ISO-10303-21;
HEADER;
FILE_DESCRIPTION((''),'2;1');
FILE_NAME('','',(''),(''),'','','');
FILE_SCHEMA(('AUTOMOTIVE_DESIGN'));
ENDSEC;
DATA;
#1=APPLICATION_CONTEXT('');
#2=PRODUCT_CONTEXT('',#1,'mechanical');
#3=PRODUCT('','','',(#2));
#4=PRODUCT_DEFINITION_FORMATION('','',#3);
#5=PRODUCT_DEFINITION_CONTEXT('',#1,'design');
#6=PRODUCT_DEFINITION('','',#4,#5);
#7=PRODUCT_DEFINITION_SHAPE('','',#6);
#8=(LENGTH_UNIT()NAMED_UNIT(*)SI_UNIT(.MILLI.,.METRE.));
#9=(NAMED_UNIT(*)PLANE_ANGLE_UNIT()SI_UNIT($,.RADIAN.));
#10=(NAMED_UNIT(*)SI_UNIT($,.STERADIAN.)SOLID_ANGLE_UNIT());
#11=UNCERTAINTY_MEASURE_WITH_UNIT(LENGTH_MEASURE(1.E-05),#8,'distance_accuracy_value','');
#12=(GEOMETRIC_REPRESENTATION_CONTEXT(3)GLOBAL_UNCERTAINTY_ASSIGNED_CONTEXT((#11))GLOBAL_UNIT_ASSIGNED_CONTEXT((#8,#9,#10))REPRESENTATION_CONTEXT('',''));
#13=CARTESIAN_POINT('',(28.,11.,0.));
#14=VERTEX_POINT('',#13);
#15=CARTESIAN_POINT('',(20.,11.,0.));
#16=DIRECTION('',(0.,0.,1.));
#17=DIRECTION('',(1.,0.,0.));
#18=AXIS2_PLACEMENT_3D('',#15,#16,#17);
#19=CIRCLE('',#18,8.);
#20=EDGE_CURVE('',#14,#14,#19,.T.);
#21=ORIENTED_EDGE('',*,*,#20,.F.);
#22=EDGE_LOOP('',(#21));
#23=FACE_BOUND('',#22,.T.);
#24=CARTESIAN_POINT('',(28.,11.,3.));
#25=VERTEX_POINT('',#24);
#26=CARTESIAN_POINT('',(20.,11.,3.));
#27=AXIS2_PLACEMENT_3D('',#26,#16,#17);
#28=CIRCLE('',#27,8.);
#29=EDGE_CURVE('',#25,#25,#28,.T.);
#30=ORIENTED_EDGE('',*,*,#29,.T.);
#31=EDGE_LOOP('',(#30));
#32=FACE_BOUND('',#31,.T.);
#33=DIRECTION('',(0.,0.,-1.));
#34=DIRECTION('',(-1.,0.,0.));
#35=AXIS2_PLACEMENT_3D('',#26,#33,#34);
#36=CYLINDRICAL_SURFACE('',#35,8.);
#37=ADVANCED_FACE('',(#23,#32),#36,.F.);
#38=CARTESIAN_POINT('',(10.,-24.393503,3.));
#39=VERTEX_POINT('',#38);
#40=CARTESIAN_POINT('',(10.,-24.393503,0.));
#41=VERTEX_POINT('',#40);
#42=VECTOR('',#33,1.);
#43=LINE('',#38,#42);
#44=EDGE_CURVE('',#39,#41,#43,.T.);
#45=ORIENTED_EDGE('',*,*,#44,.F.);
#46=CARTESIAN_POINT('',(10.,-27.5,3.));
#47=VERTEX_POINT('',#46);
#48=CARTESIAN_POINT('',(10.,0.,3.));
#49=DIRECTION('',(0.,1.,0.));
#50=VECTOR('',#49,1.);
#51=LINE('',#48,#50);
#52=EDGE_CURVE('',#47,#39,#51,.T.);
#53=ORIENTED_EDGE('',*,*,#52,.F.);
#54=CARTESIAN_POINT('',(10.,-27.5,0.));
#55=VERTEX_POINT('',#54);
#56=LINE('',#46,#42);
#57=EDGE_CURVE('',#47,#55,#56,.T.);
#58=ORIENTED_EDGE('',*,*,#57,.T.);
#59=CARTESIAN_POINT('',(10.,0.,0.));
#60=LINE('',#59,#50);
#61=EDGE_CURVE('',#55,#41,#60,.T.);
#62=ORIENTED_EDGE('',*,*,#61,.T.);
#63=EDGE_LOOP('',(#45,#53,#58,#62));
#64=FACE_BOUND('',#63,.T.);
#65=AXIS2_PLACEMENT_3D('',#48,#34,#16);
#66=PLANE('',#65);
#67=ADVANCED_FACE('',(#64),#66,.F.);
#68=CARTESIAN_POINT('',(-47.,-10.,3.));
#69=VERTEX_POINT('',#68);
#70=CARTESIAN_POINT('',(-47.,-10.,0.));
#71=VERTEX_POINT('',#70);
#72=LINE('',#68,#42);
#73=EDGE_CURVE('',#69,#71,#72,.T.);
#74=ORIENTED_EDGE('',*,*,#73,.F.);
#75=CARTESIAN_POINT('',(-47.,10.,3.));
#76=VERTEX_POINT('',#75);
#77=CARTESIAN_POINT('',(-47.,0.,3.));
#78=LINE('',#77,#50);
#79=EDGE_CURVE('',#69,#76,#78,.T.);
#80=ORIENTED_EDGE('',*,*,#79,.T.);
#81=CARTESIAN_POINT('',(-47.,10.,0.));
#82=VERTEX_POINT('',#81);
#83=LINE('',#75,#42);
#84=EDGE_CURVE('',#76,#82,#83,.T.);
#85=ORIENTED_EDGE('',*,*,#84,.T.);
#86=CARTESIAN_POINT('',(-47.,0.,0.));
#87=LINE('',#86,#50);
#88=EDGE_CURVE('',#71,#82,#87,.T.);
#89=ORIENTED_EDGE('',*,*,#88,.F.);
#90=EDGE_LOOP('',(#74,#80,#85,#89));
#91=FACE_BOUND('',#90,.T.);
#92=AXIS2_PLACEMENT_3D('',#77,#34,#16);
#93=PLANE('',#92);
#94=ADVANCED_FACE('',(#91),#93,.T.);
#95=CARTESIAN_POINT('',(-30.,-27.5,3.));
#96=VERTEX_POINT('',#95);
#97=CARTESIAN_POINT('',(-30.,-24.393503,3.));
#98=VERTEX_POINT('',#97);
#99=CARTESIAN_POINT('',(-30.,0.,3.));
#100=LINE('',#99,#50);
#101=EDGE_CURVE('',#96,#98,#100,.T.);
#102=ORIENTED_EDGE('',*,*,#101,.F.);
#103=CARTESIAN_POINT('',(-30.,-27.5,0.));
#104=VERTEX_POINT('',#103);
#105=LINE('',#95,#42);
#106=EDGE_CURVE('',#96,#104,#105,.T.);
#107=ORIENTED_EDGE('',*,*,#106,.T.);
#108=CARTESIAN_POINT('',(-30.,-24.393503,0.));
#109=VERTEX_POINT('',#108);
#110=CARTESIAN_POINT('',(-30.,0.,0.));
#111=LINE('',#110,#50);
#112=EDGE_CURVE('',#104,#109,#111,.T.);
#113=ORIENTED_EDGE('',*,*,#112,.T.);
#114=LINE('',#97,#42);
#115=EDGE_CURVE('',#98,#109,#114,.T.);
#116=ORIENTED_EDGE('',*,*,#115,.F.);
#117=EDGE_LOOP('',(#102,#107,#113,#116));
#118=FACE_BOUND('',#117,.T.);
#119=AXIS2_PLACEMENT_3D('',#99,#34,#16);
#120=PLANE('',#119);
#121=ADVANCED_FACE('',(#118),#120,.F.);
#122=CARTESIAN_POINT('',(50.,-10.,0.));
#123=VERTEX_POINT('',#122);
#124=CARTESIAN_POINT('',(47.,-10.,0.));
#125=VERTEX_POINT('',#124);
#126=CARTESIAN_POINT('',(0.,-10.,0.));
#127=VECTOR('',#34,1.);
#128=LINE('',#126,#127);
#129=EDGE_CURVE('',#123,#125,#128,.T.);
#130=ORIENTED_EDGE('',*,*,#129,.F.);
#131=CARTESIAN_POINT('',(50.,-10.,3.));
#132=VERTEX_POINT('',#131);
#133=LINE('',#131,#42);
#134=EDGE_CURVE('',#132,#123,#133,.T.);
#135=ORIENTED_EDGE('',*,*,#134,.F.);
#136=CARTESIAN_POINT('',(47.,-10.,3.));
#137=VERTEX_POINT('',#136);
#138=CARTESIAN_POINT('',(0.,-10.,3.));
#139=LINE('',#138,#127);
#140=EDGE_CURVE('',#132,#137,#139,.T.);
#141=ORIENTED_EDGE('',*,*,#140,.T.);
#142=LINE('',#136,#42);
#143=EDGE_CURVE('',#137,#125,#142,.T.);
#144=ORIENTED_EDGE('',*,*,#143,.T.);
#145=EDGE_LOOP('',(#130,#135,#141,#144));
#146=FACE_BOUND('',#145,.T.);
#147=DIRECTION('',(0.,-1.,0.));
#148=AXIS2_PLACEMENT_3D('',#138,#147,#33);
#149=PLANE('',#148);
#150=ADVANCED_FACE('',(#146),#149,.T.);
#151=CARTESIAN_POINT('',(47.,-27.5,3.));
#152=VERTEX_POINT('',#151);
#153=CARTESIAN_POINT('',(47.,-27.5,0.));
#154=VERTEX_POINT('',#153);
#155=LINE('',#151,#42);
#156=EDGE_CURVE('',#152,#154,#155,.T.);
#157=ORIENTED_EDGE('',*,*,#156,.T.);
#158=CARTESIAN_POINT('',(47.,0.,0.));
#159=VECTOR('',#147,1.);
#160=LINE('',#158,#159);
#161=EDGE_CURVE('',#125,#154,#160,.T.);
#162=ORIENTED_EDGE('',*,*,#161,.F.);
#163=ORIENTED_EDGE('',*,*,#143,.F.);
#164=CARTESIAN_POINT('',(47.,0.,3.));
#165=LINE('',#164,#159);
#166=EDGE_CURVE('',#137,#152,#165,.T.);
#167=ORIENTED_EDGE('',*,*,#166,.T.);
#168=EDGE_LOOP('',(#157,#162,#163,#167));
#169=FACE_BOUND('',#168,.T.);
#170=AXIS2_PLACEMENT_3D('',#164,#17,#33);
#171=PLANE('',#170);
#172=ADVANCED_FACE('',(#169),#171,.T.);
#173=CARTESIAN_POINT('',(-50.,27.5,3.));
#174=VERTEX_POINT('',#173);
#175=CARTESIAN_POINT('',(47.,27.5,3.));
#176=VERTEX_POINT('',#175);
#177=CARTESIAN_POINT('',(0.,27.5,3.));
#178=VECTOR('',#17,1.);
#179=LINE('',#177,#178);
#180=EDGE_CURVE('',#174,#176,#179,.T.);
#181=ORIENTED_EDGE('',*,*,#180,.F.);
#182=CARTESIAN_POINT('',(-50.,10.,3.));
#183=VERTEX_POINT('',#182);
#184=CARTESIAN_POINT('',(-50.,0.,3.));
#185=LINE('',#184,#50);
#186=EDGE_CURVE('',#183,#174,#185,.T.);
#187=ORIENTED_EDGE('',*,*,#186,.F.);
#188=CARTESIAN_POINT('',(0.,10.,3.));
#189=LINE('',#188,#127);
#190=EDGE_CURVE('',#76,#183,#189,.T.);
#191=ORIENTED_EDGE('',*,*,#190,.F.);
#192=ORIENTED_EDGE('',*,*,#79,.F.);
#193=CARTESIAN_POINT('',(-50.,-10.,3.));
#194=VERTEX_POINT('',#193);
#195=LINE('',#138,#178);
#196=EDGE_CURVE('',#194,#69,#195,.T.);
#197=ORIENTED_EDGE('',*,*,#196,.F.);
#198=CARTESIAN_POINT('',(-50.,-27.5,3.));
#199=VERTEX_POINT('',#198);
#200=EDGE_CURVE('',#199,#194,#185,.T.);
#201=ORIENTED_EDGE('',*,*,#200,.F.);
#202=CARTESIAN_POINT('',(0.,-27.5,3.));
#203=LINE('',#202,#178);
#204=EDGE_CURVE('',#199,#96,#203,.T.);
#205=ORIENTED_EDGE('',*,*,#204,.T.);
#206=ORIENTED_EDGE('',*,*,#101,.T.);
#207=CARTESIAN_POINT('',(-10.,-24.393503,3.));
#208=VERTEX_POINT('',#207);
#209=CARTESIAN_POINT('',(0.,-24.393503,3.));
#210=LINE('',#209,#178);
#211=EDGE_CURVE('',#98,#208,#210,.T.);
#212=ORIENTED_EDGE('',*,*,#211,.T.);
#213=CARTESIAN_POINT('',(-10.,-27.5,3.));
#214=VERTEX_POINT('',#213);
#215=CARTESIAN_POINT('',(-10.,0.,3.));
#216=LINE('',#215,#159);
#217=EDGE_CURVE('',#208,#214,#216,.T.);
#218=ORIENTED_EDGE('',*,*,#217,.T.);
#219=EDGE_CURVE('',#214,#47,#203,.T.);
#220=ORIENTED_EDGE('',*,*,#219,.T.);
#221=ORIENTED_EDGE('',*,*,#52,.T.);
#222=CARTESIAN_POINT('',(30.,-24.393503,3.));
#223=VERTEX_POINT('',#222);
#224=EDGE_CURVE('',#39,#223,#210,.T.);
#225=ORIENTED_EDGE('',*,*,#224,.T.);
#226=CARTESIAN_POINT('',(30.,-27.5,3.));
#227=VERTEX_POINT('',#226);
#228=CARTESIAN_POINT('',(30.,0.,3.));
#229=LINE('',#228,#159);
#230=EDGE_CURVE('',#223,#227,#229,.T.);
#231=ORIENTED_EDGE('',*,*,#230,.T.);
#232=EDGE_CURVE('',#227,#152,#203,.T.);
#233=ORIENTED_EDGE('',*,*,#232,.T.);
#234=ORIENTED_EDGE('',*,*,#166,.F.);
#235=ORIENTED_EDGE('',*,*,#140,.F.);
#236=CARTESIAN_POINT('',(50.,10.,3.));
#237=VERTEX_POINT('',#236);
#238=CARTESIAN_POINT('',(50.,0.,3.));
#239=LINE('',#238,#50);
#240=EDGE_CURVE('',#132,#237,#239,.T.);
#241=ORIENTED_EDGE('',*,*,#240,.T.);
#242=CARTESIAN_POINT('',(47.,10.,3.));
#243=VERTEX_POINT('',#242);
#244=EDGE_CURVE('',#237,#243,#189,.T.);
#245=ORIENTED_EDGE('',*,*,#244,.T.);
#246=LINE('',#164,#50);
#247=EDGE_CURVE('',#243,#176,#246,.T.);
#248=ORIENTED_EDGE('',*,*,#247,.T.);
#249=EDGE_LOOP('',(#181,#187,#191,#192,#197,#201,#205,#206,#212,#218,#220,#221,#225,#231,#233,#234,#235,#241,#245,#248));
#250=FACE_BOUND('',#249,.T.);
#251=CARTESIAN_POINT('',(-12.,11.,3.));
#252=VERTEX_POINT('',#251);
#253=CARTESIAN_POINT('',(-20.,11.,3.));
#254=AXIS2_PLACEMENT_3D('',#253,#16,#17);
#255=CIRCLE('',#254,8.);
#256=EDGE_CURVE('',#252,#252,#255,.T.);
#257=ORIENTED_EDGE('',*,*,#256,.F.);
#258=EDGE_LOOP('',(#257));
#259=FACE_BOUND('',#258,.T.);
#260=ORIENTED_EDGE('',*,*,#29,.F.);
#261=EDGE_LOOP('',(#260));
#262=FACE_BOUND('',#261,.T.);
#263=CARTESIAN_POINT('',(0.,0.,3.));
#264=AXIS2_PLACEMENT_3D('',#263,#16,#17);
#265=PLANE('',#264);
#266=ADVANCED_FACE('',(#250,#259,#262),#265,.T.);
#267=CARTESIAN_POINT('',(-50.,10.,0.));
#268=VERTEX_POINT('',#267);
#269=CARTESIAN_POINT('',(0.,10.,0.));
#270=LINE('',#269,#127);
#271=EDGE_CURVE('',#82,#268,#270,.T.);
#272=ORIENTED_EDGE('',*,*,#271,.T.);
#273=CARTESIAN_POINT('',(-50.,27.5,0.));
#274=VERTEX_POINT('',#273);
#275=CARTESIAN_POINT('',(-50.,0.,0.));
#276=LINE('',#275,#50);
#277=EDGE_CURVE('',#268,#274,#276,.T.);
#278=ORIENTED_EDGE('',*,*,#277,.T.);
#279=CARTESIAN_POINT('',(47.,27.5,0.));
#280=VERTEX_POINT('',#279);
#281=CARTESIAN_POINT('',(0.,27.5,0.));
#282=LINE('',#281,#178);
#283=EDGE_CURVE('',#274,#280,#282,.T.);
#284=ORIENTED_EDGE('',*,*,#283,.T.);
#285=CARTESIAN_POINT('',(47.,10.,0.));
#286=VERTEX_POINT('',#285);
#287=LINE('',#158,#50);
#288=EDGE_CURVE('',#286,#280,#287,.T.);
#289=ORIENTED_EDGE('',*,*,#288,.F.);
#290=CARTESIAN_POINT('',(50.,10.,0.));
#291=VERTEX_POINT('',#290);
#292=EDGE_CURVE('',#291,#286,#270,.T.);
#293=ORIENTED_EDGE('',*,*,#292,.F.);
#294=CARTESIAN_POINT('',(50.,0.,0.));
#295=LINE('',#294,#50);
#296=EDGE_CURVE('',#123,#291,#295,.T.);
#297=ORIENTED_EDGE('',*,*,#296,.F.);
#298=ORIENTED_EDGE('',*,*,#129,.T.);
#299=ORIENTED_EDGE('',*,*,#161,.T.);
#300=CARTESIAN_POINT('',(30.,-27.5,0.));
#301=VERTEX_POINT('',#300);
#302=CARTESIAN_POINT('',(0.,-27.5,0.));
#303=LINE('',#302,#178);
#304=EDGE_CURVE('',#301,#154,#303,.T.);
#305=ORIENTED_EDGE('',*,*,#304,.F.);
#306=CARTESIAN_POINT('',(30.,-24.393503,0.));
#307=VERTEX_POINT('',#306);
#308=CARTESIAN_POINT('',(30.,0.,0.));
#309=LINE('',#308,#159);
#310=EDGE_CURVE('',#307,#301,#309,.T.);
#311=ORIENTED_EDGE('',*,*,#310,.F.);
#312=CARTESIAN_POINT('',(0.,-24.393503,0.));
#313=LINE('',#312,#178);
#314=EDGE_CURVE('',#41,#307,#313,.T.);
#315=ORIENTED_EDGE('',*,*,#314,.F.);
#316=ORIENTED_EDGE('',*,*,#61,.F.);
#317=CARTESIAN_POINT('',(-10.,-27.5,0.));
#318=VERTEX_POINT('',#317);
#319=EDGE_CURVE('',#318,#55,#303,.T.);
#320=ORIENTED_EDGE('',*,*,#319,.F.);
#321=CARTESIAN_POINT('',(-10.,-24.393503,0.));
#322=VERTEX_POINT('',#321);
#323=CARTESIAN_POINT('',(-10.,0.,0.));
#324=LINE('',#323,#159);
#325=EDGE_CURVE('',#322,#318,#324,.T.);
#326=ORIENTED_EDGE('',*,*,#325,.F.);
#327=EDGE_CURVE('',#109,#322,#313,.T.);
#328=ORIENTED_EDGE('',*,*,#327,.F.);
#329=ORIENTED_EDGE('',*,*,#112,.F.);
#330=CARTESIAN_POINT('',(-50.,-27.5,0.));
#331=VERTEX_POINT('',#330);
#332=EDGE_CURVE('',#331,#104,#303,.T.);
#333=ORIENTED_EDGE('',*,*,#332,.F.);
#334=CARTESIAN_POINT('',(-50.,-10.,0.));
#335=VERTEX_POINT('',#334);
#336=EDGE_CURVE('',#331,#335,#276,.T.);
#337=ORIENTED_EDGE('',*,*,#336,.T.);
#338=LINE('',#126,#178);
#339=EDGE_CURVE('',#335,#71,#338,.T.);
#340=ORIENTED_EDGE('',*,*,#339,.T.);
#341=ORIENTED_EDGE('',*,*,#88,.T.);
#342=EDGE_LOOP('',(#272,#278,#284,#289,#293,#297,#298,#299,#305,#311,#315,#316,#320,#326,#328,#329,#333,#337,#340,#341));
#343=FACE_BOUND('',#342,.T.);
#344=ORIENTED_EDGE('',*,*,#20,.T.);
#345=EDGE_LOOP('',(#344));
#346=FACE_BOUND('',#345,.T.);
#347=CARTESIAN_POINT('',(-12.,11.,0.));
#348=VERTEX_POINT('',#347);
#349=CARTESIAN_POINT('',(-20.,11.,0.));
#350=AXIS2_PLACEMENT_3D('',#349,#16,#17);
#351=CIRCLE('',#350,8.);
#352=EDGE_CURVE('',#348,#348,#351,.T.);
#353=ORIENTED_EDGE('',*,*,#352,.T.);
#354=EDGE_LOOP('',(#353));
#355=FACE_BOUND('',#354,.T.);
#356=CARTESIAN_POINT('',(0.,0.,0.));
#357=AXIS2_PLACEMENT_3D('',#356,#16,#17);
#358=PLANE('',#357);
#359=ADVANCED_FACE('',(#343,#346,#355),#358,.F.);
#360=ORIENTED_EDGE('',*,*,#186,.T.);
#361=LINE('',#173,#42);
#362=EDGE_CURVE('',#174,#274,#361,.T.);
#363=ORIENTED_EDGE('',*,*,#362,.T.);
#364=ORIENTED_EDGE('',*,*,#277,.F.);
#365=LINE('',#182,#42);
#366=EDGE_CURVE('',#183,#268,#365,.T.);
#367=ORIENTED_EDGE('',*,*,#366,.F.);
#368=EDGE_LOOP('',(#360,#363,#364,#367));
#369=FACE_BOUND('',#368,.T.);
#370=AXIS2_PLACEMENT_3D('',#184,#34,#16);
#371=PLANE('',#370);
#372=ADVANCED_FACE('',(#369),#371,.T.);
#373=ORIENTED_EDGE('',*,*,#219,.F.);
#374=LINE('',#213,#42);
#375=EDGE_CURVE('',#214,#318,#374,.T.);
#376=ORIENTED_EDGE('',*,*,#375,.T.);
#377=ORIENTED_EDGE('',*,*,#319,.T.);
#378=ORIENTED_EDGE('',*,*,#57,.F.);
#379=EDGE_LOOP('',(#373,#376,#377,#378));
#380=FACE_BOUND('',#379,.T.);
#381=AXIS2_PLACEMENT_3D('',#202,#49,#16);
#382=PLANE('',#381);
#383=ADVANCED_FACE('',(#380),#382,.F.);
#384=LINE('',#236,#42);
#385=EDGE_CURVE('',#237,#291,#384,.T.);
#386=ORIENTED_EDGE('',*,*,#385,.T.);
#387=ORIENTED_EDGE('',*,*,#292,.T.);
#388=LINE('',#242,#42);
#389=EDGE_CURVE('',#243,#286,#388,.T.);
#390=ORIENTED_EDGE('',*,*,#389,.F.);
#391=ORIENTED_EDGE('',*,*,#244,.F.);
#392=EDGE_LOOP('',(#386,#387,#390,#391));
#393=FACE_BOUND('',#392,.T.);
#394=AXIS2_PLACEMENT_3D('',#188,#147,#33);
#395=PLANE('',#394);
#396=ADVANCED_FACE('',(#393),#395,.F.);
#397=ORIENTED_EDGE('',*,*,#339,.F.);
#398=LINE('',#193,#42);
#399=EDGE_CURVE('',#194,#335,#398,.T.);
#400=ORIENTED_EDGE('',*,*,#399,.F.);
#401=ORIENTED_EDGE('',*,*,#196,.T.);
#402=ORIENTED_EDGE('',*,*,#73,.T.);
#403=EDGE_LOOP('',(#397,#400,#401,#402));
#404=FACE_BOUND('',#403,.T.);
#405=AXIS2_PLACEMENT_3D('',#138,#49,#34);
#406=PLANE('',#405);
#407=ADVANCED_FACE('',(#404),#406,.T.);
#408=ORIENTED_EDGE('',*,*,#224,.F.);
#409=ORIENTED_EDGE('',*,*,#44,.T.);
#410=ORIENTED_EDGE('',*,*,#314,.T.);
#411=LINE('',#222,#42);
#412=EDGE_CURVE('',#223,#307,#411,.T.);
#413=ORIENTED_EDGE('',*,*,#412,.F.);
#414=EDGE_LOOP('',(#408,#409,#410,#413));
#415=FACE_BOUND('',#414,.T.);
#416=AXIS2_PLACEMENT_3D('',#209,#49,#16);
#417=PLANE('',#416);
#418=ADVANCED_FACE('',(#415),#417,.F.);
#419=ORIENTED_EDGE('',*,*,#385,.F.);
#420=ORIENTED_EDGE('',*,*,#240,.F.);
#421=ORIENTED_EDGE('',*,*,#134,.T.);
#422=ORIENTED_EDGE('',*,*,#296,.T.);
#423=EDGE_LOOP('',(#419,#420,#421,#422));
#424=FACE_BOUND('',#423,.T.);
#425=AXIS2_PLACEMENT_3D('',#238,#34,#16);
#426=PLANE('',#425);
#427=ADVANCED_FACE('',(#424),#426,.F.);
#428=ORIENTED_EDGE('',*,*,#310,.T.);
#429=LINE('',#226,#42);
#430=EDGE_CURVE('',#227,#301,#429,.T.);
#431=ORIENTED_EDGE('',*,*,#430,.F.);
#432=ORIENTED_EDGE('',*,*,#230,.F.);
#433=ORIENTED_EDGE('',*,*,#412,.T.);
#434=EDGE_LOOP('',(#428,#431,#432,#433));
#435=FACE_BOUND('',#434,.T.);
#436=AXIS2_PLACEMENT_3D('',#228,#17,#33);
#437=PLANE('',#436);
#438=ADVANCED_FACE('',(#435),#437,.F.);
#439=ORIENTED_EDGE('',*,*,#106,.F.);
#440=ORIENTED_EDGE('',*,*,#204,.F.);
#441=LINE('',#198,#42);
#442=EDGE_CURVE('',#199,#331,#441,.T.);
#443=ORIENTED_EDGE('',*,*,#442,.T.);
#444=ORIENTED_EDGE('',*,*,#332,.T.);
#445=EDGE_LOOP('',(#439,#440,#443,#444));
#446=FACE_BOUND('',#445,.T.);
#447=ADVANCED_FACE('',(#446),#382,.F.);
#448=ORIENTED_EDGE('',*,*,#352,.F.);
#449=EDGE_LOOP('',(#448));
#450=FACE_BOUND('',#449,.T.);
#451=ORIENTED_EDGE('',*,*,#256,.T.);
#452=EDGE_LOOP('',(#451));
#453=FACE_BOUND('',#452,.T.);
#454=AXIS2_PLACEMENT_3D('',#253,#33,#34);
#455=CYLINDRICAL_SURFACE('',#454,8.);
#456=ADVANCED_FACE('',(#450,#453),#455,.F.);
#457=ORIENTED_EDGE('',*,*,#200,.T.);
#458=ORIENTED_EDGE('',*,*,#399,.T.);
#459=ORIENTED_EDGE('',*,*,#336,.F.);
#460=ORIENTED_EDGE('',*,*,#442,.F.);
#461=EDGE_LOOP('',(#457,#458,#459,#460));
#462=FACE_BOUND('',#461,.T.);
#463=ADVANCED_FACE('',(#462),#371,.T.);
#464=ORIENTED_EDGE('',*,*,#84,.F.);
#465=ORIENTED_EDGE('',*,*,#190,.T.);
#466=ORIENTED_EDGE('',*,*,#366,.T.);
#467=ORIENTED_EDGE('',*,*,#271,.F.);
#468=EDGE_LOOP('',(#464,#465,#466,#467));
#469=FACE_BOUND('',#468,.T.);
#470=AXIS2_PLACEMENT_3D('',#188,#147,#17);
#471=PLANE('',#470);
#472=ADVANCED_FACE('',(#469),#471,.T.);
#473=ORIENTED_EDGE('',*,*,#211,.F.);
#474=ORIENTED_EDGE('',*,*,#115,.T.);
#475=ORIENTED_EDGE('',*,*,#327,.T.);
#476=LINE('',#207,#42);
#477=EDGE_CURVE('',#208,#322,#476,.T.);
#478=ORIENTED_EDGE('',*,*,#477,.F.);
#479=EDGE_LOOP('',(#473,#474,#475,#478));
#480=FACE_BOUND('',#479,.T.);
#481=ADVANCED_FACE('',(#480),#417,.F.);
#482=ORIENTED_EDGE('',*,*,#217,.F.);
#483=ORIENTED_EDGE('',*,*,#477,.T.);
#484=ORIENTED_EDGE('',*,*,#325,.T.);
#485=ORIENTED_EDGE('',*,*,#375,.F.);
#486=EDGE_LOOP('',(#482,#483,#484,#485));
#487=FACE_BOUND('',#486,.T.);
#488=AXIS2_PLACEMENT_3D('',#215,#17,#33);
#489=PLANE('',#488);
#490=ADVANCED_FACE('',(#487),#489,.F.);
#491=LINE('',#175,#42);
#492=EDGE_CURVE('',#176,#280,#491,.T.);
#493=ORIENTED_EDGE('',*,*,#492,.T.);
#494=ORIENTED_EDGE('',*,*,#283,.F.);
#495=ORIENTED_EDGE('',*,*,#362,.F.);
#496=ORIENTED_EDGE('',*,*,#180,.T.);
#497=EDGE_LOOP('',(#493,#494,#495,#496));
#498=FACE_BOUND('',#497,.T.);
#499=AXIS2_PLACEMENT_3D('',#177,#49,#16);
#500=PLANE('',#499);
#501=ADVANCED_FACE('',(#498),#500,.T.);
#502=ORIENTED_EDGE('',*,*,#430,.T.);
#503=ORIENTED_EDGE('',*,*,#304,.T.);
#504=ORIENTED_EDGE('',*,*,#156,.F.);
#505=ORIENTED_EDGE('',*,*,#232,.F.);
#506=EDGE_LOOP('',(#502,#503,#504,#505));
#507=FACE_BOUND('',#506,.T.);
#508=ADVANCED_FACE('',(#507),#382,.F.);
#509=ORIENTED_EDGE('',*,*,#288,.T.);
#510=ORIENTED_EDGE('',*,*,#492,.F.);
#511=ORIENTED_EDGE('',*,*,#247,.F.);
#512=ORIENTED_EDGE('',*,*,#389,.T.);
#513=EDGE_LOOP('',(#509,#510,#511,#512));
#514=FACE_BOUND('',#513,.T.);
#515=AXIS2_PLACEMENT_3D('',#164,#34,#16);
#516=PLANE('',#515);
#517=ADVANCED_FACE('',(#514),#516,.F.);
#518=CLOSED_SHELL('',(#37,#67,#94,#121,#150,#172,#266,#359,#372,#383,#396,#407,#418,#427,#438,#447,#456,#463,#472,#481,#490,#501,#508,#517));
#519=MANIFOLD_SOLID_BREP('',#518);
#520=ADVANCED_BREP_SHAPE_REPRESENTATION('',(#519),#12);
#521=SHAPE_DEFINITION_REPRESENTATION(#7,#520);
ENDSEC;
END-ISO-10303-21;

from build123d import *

# Parameters (mm, degrees)
SKETCH1_R           = 8
BOSS_EXTRUDE1_DEPTH = 3


with BuildPart() as part:
    # Sketch1 → Boss-Extrude1 (new body)
    with BuildSketch(Plane.XY):
        Polygon((-50, -10), (-50, -27.5), (-30, -27.5), (-30, -24.393503037), (-10, -24.393503037), (-10, -27.5), (10, -27.5), (10, -24.393503037), (30, -24.393503037), (30, -27.5), (47, -27.5), (47, -10), (50, -10), (50, 10), (47, 10), (47, 27.5), (-50, 27.5), (-50, 10), (-47, 10), (-47, -10), align=None)
        with Locations((-20, 11)):
            Circle(SKETCH1_R, mode=Mode.SUBTRACT)
        with Locations((20, 11)):
            Circle(SKETCH1_R, mode=Mode.SUBTRACT)
    extrude(amount=BOSS_EXTRUDE1_DEPTH)


solid = part.part
